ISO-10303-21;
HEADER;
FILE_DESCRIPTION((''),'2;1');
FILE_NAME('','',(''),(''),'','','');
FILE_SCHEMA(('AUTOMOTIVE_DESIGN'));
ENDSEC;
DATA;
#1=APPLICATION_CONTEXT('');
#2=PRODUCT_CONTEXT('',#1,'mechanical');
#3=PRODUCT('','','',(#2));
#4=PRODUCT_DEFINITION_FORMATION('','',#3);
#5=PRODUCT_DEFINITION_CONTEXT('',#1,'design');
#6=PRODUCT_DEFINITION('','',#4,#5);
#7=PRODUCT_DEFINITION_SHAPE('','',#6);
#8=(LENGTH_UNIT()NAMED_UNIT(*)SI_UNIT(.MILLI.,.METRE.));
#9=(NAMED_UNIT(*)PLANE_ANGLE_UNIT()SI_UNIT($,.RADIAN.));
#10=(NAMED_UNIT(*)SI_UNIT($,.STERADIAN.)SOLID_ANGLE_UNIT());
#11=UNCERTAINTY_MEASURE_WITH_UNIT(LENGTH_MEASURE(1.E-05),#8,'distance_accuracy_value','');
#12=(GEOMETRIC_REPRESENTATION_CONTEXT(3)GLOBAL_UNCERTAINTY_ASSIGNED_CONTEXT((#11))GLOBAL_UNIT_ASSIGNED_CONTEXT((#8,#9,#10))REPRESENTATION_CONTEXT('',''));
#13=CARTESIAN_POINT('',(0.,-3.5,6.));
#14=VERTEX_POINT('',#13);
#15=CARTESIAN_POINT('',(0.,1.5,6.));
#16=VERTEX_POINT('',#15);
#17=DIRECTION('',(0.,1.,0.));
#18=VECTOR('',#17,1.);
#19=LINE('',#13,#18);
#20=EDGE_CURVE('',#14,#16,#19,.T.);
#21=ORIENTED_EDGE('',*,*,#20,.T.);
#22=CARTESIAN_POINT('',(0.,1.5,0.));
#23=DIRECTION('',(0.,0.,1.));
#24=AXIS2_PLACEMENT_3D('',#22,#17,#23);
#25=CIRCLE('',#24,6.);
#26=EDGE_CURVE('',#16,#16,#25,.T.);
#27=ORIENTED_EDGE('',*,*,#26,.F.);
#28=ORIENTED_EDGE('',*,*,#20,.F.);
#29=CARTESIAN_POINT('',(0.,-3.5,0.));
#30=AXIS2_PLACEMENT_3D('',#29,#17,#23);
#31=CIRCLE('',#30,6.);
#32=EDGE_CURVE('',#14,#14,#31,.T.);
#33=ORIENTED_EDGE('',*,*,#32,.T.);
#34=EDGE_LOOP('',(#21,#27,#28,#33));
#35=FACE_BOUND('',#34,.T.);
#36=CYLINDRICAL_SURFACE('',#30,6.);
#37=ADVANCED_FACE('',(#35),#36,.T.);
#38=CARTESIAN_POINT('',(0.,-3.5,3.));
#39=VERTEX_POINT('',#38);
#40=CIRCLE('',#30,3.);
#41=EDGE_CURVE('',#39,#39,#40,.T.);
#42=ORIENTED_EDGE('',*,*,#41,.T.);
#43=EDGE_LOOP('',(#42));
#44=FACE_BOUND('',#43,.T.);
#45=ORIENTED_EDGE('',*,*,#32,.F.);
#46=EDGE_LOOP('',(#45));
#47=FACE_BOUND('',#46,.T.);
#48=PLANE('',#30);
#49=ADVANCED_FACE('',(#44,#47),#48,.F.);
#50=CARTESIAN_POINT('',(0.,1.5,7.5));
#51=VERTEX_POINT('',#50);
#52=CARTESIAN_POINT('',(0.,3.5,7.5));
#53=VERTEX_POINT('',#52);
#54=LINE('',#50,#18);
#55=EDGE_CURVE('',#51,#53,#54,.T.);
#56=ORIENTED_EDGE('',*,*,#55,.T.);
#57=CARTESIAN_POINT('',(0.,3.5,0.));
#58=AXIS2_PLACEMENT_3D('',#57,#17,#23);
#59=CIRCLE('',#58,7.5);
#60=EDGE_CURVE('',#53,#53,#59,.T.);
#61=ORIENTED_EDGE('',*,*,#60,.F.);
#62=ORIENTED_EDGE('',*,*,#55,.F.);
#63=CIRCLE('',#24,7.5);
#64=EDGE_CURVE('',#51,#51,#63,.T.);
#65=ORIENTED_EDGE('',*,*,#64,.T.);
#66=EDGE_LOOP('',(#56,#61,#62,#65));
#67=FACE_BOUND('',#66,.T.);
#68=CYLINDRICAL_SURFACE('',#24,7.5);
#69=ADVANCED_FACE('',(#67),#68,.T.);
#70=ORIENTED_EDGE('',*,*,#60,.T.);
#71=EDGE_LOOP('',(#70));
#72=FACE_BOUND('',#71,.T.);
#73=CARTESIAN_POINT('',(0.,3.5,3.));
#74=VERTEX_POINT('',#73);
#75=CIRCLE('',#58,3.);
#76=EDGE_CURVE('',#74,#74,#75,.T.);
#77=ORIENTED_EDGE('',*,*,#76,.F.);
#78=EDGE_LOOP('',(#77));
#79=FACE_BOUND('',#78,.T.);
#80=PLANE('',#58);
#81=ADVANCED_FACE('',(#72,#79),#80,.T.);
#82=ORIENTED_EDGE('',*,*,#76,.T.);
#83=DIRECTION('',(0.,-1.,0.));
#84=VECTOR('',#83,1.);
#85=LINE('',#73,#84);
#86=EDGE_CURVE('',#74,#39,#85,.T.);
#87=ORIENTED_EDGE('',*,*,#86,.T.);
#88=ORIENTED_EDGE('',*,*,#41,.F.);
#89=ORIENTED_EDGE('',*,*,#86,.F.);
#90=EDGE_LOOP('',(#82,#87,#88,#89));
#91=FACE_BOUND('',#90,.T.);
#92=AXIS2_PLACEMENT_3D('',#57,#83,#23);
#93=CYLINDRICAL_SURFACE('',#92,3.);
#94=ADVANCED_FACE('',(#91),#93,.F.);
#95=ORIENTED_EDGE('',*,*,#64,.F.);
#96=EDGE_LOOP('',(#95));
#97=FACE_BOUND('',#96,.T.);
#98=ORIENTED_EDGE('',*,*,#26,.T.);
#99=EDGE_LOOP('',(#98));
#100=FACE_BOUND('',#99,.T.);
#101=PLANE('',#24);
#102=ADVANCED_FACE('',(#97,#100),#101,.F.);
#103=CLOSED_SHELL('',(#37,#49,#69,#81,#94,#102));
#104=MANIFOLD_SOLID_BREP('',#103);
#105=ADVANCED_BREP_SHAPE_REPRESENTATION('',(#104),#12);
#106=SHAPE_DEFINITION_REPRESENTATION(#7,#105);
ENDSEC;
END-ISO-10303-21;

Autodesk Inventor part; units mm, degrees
ref_plane "YZ Plane" through (0, 0, 0) normal (1, 0, 0) x (0, 1, 0)
ref_plane "XZ Plane" through (0, 0, 0) normal (0, 1, 0) x (-1, 0, 0)
ref_plane "XY Plane" through (0, 0, 0) normal (0, 0, 1) x (1, 0, 0)
sketch "草图2" plane through (0, 0, 0) normal (1, 0, 0) x (0, 1, 0)
  line L0 (-3.5, 0) -> (3.5, 0)
  line L1 (3.5, 0) -> (3.5, 3)
  line L2 (3.5, 3) -> (-3.5, 3)
  line L3 (-3.5, 3) -> (-3.5, 0)
  line L4 (0, 1.8375) -> (0, -3)
  line L5 (-2.3352, 0) -> (1.7062, 0)
  line L6 (3.5, 3) -> (-3.5, 3)
  line L7 (-3.5, 3) -> (-3.5, 6)
  line L8 (-3.5, 6) -> (3.5, 6)
  line L9 (3.5, 6) -> (3.5, 3)
  line L10 (3.5, 6) -> (1.5, 6)
  line L11 (1.5, 6) -> (1.5, 7.5)
  line L12 (1.5, 7.5) -> (3.5, 7.5)
  line L13 (3.5, 7.5) -> (3.5, 6)
  point P0 (0, 0)
  dimension "d0" = 7
  dimension "d1" = 3
  dimension "d2" = 3
  dimension "d3" = 2
  dimension "d4" = 1.5
revolve "旋转1" add sketch "草图2" angle 360 about axis through (0, -3.5, 0) along (0, 1, 0) contours L7 L8 L9 L2 | L8 L11 L12 L13
properties part number "adder"
